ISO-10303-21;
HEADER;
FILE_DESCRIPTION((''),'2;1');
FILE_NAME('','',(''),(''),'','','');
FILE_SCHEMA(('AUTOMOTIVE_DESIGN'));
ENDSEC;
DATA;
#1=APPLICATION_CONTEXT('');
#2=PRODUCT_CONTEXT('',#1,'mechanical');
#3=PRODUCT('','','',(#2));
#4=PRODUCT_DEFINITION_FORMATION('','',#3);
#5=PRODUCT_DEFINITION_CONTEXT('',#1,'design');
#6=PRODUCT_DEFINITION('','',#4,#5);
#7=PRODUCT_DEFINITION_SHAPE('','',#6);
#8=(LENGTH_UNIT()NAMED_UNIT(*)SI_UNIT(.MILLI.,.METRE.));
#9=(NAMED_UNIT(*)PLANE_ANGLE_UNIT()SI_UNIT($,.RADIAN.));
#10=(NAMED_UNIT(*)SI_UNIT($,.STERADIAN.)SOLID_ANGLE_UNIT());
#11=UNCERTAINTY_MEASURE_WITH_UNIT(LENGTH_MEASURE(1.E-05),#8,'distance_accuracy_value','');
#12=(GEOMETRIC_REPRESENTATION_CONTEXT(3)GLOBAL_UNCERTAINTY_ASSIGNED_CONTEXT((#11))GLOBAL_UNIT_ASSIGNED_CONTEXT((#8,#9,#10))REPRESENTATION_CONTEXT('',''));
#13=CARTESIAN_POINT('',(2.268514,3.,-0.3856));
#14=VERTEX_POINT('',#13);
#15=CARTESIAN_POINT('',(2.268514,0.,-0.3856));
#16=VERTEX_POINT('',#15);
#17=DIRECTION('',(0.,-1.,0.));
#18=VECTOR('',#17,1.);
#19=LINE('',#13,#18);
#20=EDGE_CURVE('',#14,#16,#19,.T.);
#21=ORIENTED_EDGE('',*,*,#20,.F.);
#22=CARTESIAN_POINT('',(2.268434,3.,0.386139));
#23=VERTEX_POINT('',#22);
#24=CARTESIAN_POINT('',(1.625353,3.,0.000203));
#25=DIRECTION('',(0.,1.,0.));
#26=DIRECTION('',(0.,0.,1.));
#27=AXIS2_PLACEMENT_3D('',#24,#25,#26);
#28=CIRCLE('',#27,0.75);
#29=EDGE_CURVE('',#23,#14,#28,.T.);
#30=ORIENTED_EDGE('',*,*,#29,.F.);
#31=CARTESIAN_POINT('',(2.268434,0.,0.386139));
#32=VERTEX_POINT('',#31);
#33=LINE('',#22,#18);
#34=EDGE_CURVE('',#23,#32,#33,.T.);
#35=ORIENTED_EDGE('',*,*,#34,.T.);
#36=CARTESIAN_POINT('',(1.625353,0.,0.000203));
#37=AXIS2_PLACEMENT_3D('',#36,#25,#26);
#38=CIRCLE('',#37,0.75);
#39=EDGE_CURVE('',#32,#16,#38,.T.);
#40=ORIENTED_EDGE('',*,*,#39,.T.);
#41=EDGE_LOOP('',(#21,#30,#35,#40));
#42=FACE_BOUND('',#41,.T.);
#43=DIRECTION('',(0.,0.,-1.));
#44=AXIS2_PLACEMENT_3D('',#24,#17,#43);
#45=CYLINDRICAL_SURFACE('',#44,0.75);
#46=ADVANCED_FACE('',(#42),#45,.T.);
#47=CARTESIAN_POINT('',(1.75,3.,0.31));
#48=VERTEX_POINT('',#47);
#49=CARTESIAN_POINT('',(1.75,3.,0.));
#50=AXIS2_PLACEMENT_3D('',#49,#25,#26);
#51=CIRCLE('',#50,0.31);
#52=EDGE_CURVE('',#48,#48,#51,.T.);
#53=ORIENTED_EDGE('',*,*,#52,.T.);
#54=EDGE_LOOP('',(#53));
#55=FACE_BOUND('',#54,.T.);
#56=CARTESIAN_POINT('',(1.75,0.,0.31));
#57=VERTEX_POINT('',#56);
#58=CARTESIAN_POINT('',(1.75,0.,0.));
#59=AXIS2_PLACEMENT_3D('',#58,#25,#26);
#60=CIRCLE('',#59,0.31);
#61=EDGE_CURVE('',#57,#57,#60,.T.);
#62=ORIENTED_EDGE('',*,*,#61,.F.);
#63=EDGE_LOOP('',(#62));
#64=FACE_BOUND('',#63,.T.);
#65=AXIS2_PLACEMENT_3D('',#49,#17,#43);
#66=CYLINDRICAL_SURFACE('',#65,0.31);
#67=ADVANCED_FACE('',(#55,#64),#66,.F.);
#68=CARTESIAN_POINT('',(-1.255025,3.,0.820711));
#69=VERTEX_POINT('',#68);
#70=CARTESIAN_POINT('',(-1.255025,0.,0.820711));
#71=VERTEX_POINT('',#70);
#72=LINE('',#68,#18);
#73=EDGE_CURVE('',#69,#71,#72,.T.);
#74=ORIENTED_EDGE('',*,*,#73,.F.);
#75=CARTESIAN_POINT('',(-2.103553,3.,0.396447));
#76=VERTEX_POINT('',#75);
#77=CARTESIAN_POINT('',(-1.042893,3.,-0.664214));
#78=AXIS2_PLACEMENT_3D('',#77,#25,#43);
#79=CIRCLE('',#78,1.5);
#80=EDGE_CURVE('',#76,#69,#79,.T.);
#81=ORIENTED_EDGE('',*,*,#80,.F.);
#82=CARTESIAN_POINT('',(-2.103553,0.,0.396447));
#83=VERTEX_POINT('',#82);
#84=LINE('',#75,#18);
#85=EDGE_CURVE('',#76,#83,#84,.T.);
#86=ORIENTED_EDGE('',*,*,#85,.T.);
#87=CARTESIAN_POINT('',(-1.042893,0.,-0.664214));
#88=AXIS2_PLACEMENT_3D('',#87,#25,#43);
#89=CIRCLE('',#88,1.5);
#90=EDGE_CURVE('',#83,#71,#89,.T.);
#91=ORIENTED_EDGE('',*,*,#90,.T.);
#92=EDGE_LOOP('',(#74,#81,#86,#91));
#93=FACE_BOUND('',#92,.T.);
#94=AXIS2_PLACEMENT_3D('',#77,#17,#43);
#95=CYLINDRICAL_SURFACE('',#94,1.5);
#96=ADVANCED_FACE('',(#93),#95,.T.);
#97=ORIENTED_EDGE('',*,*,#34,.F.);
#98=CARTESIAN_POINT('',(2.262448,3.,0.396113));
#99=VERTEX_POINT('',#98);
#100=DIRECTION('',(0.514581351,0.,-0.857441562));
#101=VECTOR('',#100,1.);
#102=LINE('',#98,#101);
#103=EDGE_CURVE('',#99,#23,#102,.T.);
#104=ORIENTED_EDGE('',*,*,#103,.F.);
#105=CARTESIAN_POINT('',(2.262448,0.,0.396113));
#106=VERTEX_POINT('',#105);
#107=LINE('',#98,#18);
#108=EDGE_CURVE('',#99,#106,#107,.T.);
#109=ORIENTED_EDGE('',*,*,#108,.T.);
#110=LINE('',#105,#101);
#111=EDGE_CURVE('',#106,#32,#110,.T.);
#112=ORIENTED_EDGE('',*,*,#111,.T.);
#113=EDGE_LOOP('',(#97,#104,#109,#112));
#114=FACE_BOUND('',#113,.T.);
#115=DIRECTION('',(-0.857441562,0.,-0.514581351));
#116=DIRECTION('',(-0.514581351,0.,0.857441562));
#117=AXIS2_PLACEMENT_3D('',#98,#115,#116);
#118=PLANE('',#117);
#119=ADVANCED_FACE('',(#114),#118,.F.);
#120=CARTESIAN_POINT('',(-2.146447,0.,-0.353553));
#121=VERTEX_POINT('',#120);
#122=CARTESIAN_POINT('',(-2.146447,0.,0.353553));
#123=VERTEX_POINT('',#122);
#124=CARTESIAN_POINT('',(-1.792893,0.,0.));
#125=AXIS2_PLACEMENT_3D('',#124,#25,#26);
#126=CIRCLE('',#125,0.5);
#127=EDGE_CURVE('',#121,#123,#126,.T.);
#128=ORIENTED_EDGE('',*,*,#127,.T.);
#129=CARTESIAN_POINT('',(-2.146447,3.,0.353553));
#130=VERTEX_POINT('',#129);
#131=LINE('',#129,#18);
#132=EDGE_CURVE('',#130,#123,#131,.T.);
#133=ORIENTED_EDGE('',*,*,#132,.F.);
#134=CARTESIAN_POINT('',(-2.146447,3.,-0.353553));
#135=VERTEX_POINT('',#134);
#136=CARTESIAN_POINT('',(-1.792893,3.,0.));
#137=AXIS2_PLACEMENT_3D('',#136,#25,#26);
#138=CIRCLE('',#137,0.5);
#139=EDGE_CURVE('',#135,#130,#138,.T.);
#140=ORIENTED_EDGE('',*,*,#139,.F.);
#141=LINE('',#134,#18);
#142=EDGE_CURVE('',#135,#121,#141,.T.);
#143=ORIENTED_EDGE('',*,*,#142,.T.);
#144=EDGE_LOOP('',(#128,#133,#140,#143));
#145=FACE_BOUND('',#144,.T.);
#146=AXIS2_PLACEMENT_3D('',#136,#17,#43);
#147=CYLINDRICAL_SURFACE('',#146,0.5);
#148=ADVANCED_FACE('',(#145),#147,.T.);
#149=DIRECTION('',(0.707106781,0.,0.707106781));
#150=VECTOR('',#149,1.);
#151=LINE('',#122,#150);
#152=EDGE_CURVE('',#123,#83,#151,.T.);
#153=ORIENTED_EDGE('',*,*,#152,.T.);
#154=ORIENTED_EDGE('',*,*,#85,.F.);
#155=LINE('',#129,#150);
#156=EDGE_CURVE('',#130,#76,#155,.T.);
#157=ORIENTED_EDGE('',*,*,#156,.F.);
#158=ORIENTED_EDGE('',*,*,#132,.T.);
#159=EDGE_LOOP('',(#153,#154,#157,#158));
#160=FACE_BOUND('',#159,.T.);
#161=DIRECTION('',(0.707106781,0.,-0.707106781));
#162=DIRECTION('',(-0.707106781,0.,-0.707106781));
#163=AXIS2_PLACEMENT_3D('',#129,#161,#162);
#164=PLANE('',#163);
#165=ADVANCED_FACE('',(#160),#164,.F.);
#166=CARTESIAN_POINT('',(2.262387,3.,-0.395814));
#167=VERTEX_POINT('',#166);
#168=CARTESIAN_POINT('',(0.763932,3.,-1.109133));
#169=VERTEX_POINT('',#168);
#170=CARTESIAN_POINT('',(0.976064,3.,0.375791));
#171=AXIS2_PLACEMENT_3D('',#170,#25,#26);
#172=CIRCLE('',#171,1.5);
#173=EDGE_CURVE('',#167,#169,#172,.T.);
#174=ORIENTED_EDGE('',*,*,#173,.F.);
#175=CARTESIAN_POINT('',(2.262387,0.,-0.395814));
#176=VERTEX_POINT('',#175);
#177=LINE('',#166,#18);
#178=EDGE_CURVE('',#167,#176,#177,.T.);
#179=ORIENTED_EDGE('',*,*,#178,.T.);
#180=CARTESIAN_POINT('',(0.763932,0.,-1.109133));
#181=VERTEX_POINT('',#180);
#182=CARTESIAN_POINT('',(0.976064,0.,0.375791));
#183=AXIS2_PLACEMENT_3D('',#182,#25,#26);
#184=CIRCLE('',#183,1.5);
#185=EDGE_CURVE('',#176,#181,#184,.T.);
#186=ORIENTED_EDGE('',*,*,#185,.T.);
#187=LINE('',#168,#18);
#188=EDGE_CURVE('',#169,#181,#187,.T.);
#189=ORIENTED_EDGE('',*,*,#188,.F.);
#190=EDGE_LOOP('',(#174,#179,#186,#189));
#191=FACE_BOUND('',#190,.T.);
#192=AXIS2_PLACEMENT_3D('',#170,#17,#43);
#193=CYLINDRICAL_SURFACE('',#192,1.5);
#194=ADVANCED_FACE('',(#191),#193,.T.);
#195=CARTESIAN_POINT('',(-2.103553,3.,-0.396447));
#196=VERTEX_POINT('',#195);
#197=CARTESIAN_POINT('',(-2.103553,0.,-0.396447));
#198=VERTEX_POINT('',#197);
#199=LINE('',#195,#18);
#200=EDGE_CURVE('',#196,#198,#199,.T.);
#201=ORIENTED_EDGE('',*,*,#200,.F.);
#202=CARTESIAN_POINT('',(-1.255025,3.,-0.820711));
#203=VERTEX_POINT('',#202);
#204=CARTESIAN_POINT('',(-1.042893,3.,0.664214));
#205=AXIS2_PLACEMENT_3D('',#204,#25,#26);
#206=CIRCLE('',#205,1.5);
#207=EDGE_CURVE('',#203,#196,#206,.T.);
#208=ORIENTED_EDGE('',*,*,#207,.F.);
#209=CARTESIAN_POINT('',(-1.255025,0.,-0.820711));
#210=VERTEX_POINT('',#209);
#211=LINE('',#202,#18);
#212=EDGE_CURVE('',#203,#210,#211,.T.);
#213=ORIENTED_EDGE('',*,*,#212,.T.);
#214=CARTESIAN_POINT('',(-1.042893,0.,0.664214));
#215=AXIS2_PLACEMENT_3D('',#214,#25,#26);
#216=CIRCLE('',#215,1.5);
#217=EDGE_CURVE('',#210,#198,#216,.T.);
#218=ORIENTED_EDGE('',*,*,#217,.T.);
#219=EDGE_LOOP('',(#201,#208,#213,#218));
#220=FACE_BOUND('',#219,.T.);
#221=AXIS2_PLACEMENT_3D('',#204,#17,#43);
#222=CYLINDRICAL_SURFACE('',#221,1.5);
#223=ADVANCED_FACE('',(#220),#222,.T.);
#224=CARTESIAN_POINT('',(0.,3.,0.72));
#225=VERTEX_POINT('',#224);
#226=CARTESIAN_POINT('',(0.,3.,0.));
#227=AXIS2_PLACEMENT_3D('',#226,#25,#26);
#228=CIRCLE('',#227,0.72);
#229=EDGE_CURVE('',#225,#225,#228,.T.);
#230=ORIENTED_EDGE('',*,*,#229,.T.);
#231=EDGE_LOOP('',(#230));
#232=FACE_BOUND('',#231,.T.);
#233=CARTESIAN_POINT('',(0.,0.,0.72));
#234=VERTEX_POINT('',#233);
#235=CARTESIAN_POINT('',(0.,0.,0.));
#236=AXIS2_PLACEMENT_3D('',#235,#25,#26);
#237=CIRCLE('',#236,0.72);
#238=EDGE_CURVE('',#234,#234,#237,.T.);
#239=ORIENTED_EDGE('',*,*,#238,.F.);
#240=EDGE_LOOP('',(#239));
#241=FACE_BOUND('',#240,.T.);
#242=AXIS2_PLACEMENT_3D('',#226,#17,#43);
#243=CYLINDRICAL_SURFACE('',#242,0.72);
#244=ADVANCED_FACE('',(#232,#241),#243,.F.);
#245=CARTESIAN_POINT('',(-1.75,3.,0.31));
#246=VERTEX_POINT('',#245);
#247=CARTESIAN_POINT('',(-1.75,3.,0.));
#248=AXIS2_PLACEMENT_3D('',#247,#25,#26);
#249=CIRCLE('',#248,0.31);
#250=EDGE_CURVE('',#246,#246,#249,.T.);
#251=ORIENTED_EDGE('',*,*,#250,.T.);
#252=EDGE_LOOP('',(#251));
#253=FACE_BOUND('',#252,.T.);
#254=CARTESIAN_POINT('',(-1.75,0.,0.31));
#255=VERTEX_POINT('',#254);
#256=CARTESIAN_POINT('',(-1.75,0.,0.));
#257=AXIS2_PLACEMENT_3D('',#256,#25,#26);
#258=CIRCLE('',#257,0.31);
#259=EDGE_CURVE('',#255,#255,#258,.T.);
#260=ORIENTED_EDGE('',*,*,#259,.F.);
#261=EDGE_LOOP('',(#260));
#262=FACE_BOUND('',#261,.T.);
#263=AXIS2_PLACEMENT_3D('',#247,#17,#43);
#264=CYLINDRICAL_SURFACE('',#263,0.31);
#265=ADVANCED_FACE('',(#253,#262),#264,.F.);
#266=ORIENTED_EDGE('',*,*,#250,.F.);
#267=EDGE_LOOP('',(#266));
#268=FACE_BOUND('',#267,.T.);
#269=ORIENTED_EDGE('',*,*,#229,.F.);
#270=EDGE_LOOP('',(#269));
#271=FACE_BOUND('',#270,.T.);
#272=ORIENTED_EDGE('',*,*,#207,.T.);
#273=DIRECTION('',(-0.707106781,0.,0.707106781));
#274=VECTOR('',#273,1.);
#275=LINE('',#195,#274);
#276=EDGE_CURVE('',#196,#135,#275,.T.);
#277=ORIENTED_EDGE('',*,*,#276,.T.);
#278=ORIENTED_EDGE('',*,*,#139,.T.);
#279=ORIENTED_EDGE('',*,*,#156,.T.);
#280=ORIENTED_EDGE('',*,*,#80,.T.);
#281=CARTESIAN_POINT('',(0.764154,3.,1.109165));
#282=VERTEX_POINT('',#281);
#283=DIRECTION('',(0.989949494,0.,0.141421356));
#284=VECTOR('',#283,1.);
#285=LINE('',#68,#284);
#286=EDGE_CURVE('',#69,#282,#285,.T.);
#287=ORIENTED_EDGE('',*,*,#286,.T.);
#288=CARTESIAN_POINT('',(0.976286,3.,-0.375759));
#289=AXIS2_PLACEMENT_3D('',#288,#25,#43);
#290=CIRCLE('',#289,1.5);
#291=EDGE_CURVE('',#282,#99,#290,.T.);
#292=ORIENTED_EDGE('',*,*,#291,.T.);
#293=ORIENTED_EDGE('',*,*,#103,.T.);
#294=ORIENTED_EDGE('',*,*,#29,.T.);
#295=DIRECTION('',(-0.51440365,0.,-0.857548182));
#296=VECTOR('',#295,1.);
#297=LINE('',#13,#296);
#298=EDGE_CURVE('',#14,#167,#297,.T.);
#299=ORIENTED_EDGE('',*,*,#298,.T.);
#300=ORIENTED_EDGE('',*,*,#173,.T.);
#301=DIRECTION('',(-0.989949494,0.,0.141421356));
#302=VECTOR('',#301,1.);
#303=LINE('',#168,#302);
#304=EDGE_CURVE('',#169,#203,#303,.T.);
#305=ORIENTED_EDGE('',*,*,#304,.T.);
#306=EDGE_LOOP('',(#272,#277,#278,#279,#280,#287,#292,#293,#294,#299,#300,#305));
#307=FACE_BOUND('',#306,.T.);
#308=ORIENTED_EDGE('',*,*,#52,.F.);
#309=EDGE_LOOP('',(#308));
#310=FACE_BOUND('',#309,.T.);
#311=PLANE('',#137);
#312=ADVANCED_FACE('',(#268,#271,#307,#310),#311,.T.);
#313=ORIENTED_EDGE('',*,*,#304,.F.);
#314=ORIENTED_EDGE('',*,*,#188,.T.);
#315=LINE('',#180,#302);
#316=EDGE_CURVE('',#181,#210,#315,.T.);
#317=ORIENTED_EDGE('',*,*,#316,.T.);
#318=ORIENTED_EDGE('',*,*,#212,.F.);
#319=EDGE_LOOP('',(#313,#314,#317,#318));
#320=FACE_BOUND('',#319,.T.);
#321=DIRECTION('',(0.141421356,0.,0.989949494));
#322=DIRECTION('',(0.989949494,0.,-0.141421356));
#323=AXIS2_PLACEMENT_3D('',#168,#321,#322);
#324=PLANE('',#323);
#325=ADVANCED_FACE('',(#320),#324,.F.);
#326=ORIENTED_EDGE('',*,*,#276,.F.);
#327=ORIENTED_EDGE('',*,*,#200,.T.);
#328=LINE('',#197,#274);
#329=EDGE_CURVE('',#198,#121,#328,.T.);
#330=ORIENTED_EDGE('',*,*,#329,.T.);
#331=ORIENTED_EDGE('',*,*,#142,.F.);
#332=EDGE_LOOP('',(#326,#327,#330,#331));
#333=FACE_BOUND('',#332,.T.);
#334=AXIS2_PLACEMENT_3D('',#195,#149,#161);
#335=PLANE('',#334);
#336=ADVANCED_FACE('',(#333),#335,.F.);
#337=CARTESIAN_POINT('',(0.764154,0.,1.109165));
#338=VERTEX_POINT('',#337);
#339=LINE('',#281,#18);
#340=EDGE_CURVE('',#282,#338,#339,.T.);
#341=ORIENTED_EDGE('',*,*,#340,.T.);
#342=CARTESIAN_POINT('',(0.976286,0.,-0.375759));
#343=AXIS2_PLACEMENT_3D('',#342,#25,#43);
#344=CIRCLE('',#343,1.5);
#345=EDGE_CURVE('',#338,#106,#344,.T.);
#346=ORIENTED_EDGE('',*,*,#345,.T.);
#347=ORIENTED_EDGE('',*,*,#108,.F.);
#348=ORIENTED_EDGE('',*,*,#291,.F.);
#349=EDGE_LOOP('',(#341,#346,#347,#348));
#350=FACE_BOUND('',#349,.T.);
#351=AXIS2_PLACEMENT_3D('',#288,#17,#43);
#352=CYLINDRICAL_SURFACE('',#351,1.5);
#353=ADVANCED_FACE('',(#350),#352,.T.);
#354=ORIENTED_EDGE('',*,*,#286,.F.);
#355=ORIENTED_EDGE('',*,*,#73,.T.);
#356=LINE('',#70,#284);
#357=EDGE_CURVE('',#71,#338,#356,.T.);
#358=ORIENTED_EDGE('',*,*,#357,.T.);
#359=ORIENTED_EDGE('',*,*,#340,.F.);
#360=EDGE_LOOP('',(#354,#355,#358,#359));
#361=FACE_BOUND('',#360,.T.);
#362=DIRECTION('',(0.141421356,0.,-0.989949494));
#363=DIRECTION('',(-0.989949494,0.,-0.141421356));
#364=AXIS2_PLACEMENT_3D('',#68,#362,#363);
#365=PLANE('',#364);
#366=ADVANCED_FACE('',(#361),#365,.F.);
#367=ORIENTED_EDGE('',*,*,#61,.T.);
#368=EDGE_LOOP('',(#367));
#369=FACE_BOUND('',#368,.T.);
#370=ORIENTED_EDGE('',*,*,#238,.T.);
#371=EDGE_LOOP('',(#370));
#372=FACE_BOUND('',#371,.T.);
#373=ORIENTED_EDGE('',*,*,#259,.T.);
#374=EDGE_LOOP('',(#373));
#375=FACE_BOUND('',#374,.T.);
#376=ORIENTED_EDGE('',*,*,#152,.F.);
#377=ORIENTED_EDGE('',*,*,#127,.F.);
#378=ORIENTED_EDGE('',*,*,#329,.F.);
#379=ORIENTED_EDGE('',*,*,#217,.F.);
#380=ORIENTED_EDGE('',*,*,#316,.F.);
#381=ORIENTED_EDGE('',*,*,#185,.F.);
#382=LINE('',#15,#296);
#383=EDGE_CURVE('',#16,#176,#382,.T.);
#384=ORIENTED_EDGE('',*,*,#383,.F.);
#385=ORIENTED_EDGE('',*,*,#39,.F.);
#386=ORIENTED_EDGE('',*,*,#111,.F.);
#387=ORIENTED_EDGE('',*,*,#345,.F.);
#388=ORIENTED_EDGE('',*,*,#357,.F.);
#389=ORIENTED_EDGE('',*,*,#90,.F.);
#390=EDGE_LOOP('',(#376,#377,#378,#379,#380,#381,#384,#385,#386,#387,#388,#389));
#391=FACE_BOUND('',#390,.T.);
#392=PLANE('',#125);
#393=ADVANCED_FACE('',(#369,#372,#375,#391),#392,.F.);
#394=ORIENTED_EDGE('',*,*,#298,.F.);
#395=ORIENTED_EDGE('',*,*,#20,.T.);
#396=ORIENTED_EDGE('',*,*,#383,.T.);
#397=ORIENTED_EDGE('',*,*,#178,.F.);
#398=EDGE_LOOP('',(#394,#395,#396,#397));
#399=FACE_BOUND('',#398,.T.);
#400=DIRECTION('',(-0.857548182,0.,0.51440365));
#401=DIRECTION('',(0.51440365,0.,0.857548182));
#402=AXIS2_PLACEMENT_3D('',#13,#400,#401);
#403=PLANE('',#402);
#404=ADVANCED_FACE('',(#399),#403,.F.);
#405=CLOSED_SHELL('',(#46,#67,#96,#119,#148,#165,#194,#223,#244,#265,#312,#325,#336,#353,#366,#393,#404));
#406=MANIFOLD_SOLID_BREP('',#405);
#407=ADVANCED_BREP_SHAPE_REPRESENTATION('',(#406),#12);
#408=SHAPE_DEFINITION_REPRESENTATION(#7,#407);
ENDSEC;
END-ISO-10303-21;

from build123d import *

# Parameters (mm, degrees)
SKETCH1_R           = 0.72
SKETCH1_R_2         = 0.31
BOSS_EXTRUDE1_DEPTH = 3


with BuildPart() as part:
    # Sketch1 → Boss-Extrude1 (new body)
    with BuildSketch(Plane(origin=(0, 0, 0), x_dir=(1, 0, 0), z_dir=(0, 1, 0))):
        with BuildLine():
            Line((2.26851387, 0.385599784), (2.262386582, 0.395814417))
            ThreePointArc((2.262386582, 0.395814417), (1.620794549, 0.978580721), (0.763932274, 1.109133182))
            Line((0.763932274, 1.109133182), (-1.255025253, 0.820710678))
            ThreePointArc((-1.255025253, 0.820710678), (-1.713713612, 0.677427224), (-2.103553391, 0.396446609))
            Line((-2.103553391, 0.396446609), (-2.146446609, 0.353553391))
            ThreePointArc((-2.146446609, 0.353553391), (-2.292893219, 0), (-2.146446609, -0.353553391))
            Line((-2.146446609, -0.353553391), (-2.103553391, -0.396446609))
            ThreePointArc((-2.103553391, -0.396446609), (-1.713713612, -0.677427224), (-1.255025253, -0.820710678))
            Line((-1.255025253, -0.820710678), (0.76415397, -1.109164853))
            ThreePointArc((0.76415397, -1.109164853), (1.620875906, -0.978679189), (2.262448348, -0.396112639))
            Line((2.262448348, -0.396112639), (2.268433905, -0.386138967))
            ThreePointArc((2.268433905, -0.386138967), (2.375352729, -0.000280666), (2.26851387, 0.385599784))
        make_face()
        with Locations(Location((0, 0, 0), (0, 0, 270))):
            Circle(SKETCH1_R, mode=Mode.SUBTRACT)
        with Locations(Location((1.75, 0, 0), (0, 0, 270))):
            Circle(SKETCH1_R_2, mode=Mode.SUBTRACT)
        with Locations(Location((-1.75, 0, 0), (0, 0, 270))):
            Circle(SKETCH1_R_2, mode=Mode.SUBTRACT)
    extrude(amount=BOSS_EXTRUDE1_DEPTH)


solid = part.part
